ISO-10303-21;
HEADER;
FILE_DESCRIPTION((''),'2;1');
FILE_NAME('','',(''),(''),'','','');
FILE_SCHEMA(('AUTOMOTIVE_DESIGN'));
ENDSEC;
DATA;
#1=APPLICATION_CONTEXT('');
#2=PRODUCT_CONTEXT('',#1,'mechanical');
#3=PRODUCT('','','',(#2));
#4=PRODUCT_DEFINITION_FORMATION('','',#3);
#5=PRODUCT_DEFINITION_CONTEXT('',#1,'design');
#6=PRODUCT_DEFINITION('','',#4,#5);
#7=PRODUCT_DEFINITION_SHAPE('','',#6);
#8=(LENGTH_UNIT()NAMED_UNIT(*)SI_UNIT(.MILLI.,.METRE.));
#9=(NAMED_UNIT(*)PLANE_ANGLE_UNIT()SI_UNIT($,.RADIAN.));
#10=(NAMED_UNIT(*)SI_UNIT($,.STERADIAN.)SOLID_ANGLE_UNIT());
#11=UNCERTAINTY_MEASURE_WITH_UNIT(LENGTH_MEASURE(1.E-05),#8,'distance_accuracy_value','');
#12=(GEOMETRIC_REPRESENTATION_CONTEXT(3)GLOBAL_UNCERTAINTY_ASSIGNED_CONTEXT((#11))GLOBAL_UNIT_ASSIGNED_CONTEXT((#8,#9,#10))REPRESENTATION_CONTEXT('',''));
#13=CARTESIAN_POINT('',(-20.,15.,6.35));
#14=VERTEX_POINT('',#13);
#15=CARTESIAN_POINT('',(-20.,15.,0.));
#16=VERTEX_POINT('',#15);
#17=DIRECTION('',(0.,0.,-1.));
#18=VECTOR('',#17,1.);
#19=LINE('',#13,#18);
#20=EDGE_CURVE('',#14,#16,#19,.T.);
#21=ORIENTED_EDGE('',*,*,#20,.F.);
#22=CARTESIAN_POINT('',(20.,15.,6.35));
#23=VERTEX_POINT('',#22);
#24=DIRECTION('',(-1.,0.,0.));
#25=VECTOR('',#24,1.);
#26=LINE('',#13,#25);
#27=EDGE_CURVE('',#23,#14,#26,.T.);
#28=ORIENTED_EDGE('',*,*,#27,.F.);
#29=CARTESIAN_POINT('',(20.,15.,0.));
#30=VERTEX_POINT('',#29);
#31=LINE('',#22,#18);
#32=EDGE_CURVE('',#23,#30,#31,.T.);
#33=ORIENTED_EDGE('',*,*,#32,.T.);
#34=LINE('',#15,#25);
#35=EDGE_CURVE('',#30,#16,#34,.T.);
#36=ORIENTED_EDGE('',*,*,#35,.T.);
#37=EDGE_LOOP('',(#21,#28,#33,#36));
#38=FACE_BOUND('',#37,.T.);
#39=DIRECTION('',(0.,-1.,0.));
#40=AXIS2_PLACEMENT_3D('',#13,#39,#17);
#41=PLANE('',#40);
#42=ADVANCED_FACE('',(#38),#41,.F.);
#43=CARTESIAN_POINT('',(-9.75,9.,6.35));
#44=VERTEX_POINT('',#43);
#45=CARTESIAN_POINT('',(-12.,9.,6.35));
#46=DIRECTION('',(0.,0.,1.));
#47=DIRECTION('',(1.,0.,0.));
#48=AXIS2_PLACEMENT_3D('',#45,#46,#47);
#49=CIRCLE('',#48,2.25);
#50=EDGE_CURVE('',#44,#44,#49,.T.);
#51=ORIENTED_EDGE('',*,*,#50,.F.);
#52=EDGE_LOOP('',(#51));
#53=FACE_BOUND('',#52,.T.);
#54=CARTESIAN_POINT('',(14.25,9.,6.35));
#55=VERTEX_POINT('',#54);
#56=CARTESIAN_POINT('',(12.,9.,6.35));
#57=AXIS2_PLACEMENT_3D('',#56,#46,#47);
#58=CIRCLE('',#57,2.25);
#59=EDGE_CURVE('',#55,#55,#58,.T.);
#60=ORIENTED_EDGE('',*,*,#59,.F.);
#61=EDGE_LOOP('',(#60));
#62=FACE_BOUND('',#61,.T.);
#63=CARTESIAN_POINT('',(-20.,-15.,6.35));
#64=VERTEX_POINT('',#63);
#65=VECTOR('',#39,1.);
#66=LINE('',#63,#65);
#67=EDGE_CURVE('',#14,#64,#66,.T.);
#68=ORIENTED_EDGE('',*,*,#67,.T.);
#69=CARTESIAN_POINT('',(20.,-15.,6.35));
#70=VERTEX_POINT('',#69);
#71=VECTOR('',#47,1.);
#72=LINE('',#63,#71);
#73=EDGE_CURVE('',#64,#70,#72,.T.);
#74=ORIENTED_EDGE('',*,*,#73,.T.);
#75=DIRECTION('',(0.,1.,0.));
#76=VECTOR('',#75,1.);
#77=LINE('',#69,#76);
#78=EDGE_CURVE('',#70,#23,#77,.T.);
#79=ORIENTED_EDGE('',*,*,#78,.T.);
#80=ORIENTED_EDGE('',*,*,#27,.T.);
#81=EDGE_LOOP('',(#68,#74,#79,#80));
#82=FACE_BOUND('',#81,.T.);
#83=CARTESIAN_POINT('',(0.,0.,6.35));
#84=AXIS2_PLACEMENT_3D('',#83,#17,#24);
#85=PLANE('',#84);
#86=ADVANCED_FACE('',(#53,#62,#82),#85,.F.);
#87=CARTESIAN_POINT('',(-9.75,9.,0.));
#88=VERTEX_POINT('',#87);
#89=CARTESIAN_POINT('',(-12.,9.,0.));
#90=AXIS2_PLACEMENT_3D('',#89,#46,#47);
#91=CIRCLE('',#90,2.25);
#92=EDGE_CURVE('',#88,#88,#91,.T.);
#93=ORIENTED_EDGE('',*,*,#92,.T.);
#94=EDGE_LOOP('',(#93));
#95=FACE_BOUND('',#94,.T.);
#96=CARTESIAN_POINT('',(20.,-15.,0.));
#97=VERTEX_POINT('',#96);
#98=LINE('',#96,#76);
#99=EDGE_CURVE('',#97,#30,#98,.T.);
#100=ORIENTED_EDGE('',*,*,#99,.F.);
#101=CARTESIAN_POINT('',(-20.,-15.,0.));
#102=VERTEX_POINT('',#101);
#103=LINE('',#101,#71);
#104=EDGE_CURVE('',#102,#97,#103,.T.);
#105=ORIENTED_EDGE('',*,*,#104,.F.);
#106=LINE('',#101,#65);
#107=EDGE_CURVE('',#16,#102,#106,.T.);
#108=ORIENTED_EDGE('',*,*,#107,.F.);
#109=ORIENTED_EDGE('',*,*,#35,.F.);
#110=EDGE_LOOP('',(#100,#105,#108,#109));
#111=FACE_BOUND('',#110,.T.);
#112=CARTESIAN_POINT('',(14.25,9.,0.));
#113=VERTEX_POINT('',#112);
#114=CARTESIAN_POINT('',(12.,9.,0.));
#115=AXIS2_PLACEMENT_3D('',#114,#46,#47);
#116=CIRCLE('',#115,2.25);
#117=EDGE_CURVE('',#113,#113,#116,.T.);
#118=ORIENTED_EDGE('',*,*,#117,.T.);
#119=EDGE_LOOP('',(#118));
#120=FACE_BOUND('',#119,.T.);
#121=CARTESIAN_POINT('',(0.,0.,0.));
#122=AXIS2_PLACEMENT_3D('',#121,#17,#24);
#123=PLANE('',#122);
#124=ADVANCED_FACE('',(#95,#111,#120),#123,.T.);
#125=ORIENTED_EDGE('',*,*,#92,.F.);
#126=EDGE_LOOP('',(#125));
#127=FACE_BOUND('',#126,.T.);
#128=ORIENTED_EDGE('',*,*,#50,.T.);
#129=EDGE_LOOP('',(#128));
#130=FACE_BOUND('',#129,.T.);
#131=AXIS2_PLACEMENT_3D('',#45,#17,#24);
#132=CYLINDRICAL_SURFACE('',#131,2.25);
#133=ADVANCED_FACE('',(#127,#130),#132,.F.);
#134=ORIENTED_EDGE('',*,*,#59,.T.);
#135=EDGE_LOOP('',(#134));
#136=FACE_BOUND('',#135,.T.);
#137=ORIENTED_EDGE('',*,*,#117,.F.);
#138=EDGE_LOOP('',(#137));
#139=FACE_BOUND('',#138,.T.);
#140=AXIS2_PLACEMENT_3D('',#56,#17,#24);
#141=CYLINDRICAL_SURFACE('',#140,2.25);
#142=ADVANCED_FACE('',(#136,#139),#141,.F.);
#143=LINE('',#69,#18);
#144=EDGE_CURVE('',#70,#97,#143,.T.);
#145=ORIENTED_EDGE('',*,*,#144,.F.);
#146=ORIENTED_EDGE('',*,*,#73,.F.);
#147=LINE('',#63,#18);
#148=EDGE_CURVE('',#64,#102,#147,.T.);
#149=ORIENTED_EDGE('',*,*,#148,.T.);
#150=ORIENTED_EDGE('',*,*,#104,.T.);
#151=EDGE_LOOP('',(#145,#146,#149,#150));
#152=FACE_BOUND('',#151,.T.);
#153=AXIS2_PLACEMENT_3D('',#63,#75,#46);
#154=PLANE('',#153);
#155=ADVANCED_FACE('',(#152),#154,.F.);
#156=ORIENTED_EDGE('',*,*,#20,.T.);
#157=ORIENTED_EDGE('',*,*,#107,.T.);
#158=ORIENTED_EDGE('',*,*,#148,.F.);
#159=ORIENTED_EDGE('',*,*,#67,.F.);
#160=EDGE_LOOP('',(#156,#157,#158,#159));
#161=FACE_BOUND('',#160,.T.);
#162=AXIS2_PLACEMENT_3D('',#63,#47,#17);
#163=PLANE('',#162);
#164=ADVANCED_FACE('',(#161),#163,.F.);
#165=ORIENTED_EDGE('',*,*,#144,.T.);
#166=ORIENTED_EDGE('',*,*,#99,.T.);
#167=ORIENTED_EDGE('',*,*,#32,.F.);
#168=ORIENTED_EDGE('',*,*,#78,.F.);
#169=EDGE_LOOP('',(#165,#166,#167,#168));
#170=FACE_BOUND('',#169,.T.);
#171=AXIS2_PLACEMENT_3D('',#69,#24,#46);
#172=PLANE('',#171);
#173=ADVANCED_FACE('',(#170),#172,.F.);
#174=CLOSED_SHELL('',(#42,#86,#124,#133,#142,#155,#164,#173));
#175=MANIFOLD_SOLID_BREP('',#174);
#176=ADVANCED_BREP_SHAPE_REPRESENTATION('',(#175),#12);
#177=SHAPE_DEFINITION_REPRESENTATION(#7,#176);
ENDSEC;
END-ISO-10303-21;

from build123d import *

# Parameters (mm, degrees)
SKETCH1_W           = 40
SKETCH1_H           = 30
SKETCH1_R           = 2.25
BOSS_EXTRUDE1_DEPTH = 6.35


with BuildPart() as part:
    # Sketch1 → Boss-Extrude1 (new body)
    with BuildSketch(Plane.XY):
        Rectangle(SKETCH1_W, SKETCH1_H)
        with Locations((-12, 9)):
            Circle(SKETCH1_R, mode=Mode.SUBTRACT)
        with Locations((12, 9)):
            Circle(SKETCH1_R, mode=Mode.SUBTRACT)
    extrude(amount=BOSS_EXTRUDE1_DEPTH)


solid = part.part
